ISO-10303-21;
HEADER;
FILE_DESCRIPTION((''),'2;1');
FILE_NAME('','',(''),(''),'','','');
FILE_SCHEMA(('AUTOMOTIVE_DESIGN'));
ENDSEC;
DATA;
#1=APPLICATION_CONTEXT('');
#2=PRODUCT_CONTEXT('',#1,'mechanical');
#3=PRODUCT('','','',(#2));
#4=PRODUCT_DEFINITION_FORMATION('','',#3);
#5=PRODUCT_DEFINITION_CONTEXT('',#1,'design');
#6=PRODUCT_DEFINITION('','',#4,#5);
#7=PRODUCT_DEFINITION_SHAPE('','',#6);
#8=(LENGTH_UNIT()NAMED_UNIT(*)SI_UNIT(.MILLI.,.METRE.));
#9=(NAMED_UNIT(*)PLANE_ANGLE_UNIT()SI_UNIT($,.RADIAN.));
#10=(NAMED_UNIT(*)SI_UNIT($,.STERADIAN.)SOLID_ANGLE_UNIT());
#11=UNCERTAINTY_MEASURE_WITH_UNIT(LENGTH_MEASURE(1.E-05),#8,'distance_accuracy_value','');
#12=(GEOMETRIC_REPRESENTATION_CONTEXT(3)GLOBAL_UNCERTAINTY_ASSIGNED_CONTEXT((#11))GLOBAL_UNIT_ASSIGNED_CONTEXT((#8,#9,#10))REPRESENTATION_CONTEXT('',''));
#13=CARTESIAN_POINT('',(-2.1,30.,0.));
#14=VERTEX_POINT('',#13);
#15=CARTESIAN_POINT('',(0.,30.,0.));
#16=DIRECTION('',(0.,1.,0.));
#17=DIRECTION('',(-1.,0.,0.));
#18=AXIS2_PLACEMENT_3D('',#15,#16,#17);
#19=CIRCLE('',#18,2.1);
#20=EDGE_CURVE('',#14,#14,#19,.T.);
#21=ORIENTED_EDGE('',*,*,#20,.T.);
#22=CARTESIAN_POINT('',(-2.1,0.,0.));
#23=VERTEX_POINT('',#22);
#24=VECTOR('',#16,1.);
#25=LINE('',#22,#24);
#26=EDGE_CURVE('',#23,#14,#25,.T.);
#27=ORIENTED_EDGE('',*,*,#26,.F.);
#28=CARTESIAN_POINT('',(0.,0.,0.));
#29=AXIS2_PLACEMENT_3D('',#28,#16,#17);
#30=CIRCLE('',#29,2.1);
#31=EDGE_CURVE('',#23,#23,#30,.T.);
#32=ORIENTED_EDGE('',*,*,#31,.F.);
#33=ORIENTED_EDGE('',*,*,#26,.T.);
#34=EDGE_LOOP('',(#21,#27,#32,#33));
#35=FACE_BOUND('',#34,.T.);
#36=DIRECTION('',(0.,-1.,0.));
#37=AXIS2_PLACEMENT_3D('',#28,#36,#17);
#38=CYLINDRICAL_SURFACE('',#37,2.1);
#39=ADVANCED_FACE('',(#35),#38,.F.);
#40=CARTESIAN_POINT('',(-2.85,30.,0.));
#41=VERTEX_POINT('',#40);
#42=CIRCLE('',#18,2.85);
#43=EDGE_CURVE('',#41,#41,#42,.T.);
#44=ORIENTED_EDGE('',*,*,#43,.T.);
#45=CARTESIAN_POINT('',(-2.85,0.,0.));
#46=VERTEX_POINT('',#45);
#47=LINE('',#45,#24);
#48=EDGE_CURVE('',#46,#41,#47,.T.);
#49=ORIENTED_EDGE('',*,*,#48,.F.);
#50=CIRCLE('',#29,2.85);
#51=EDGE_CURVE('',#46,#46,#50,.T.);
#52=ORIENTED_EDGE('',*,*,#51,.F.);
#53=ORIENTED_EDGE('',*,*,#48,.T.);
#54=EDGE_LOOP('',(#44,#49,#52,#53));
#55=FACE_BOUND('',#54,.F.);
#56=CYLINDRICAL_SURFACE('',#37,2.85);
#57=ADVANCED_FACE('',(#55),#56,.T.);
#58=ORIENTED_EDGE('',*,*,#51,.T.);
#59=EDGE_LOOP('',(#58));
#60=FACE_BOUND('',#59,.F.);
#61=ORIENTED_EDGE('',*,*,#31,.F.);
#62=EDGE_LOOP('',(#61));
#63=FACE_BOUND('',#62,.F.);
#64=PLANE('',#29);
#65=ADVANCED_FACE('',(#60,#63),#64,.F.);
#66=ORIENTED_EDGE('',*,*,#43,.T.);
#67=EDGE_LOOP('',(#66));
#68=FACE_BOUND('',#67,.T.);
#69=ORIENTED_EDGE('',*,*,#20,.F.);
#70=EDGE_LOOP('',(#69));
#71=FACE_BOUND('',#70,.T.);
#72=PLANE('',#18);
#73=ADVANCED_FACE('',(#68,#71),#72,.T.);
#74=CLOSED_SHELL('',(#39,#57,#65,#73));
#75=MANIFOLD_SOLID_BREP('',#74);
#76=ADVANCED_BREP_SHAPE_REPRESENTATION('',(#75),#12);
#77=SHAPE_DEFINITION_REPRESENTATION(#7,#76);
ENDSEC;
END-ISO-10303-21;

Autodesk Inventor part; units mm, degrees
ref_plane "YZ Plane" through (0, 0, 0) normal (1, 0, 0) x (0, 1, 0)
ref_plane "XZ Plane" through (0, 0, 0) normal (0, 1, 0) x (-1, 0, 0)
ref_plane "XY Plane" through (0, 0, 0) normal (0, 0, 1) x (1, 0, 0)
sketch "Sketch1" plane through (0, 0, 0) normal (0, 1, 0) x (-1, 0, 0)
  circle A0 centre (0, 0) radius 2.1
  circle A1 centre (0, 0) radius 2.85
  dimension "d0" = 4.2
  dimension "d1" = 5.7
extrude "Extrusion1" add sketch "Sketch1" along normal blind 30
